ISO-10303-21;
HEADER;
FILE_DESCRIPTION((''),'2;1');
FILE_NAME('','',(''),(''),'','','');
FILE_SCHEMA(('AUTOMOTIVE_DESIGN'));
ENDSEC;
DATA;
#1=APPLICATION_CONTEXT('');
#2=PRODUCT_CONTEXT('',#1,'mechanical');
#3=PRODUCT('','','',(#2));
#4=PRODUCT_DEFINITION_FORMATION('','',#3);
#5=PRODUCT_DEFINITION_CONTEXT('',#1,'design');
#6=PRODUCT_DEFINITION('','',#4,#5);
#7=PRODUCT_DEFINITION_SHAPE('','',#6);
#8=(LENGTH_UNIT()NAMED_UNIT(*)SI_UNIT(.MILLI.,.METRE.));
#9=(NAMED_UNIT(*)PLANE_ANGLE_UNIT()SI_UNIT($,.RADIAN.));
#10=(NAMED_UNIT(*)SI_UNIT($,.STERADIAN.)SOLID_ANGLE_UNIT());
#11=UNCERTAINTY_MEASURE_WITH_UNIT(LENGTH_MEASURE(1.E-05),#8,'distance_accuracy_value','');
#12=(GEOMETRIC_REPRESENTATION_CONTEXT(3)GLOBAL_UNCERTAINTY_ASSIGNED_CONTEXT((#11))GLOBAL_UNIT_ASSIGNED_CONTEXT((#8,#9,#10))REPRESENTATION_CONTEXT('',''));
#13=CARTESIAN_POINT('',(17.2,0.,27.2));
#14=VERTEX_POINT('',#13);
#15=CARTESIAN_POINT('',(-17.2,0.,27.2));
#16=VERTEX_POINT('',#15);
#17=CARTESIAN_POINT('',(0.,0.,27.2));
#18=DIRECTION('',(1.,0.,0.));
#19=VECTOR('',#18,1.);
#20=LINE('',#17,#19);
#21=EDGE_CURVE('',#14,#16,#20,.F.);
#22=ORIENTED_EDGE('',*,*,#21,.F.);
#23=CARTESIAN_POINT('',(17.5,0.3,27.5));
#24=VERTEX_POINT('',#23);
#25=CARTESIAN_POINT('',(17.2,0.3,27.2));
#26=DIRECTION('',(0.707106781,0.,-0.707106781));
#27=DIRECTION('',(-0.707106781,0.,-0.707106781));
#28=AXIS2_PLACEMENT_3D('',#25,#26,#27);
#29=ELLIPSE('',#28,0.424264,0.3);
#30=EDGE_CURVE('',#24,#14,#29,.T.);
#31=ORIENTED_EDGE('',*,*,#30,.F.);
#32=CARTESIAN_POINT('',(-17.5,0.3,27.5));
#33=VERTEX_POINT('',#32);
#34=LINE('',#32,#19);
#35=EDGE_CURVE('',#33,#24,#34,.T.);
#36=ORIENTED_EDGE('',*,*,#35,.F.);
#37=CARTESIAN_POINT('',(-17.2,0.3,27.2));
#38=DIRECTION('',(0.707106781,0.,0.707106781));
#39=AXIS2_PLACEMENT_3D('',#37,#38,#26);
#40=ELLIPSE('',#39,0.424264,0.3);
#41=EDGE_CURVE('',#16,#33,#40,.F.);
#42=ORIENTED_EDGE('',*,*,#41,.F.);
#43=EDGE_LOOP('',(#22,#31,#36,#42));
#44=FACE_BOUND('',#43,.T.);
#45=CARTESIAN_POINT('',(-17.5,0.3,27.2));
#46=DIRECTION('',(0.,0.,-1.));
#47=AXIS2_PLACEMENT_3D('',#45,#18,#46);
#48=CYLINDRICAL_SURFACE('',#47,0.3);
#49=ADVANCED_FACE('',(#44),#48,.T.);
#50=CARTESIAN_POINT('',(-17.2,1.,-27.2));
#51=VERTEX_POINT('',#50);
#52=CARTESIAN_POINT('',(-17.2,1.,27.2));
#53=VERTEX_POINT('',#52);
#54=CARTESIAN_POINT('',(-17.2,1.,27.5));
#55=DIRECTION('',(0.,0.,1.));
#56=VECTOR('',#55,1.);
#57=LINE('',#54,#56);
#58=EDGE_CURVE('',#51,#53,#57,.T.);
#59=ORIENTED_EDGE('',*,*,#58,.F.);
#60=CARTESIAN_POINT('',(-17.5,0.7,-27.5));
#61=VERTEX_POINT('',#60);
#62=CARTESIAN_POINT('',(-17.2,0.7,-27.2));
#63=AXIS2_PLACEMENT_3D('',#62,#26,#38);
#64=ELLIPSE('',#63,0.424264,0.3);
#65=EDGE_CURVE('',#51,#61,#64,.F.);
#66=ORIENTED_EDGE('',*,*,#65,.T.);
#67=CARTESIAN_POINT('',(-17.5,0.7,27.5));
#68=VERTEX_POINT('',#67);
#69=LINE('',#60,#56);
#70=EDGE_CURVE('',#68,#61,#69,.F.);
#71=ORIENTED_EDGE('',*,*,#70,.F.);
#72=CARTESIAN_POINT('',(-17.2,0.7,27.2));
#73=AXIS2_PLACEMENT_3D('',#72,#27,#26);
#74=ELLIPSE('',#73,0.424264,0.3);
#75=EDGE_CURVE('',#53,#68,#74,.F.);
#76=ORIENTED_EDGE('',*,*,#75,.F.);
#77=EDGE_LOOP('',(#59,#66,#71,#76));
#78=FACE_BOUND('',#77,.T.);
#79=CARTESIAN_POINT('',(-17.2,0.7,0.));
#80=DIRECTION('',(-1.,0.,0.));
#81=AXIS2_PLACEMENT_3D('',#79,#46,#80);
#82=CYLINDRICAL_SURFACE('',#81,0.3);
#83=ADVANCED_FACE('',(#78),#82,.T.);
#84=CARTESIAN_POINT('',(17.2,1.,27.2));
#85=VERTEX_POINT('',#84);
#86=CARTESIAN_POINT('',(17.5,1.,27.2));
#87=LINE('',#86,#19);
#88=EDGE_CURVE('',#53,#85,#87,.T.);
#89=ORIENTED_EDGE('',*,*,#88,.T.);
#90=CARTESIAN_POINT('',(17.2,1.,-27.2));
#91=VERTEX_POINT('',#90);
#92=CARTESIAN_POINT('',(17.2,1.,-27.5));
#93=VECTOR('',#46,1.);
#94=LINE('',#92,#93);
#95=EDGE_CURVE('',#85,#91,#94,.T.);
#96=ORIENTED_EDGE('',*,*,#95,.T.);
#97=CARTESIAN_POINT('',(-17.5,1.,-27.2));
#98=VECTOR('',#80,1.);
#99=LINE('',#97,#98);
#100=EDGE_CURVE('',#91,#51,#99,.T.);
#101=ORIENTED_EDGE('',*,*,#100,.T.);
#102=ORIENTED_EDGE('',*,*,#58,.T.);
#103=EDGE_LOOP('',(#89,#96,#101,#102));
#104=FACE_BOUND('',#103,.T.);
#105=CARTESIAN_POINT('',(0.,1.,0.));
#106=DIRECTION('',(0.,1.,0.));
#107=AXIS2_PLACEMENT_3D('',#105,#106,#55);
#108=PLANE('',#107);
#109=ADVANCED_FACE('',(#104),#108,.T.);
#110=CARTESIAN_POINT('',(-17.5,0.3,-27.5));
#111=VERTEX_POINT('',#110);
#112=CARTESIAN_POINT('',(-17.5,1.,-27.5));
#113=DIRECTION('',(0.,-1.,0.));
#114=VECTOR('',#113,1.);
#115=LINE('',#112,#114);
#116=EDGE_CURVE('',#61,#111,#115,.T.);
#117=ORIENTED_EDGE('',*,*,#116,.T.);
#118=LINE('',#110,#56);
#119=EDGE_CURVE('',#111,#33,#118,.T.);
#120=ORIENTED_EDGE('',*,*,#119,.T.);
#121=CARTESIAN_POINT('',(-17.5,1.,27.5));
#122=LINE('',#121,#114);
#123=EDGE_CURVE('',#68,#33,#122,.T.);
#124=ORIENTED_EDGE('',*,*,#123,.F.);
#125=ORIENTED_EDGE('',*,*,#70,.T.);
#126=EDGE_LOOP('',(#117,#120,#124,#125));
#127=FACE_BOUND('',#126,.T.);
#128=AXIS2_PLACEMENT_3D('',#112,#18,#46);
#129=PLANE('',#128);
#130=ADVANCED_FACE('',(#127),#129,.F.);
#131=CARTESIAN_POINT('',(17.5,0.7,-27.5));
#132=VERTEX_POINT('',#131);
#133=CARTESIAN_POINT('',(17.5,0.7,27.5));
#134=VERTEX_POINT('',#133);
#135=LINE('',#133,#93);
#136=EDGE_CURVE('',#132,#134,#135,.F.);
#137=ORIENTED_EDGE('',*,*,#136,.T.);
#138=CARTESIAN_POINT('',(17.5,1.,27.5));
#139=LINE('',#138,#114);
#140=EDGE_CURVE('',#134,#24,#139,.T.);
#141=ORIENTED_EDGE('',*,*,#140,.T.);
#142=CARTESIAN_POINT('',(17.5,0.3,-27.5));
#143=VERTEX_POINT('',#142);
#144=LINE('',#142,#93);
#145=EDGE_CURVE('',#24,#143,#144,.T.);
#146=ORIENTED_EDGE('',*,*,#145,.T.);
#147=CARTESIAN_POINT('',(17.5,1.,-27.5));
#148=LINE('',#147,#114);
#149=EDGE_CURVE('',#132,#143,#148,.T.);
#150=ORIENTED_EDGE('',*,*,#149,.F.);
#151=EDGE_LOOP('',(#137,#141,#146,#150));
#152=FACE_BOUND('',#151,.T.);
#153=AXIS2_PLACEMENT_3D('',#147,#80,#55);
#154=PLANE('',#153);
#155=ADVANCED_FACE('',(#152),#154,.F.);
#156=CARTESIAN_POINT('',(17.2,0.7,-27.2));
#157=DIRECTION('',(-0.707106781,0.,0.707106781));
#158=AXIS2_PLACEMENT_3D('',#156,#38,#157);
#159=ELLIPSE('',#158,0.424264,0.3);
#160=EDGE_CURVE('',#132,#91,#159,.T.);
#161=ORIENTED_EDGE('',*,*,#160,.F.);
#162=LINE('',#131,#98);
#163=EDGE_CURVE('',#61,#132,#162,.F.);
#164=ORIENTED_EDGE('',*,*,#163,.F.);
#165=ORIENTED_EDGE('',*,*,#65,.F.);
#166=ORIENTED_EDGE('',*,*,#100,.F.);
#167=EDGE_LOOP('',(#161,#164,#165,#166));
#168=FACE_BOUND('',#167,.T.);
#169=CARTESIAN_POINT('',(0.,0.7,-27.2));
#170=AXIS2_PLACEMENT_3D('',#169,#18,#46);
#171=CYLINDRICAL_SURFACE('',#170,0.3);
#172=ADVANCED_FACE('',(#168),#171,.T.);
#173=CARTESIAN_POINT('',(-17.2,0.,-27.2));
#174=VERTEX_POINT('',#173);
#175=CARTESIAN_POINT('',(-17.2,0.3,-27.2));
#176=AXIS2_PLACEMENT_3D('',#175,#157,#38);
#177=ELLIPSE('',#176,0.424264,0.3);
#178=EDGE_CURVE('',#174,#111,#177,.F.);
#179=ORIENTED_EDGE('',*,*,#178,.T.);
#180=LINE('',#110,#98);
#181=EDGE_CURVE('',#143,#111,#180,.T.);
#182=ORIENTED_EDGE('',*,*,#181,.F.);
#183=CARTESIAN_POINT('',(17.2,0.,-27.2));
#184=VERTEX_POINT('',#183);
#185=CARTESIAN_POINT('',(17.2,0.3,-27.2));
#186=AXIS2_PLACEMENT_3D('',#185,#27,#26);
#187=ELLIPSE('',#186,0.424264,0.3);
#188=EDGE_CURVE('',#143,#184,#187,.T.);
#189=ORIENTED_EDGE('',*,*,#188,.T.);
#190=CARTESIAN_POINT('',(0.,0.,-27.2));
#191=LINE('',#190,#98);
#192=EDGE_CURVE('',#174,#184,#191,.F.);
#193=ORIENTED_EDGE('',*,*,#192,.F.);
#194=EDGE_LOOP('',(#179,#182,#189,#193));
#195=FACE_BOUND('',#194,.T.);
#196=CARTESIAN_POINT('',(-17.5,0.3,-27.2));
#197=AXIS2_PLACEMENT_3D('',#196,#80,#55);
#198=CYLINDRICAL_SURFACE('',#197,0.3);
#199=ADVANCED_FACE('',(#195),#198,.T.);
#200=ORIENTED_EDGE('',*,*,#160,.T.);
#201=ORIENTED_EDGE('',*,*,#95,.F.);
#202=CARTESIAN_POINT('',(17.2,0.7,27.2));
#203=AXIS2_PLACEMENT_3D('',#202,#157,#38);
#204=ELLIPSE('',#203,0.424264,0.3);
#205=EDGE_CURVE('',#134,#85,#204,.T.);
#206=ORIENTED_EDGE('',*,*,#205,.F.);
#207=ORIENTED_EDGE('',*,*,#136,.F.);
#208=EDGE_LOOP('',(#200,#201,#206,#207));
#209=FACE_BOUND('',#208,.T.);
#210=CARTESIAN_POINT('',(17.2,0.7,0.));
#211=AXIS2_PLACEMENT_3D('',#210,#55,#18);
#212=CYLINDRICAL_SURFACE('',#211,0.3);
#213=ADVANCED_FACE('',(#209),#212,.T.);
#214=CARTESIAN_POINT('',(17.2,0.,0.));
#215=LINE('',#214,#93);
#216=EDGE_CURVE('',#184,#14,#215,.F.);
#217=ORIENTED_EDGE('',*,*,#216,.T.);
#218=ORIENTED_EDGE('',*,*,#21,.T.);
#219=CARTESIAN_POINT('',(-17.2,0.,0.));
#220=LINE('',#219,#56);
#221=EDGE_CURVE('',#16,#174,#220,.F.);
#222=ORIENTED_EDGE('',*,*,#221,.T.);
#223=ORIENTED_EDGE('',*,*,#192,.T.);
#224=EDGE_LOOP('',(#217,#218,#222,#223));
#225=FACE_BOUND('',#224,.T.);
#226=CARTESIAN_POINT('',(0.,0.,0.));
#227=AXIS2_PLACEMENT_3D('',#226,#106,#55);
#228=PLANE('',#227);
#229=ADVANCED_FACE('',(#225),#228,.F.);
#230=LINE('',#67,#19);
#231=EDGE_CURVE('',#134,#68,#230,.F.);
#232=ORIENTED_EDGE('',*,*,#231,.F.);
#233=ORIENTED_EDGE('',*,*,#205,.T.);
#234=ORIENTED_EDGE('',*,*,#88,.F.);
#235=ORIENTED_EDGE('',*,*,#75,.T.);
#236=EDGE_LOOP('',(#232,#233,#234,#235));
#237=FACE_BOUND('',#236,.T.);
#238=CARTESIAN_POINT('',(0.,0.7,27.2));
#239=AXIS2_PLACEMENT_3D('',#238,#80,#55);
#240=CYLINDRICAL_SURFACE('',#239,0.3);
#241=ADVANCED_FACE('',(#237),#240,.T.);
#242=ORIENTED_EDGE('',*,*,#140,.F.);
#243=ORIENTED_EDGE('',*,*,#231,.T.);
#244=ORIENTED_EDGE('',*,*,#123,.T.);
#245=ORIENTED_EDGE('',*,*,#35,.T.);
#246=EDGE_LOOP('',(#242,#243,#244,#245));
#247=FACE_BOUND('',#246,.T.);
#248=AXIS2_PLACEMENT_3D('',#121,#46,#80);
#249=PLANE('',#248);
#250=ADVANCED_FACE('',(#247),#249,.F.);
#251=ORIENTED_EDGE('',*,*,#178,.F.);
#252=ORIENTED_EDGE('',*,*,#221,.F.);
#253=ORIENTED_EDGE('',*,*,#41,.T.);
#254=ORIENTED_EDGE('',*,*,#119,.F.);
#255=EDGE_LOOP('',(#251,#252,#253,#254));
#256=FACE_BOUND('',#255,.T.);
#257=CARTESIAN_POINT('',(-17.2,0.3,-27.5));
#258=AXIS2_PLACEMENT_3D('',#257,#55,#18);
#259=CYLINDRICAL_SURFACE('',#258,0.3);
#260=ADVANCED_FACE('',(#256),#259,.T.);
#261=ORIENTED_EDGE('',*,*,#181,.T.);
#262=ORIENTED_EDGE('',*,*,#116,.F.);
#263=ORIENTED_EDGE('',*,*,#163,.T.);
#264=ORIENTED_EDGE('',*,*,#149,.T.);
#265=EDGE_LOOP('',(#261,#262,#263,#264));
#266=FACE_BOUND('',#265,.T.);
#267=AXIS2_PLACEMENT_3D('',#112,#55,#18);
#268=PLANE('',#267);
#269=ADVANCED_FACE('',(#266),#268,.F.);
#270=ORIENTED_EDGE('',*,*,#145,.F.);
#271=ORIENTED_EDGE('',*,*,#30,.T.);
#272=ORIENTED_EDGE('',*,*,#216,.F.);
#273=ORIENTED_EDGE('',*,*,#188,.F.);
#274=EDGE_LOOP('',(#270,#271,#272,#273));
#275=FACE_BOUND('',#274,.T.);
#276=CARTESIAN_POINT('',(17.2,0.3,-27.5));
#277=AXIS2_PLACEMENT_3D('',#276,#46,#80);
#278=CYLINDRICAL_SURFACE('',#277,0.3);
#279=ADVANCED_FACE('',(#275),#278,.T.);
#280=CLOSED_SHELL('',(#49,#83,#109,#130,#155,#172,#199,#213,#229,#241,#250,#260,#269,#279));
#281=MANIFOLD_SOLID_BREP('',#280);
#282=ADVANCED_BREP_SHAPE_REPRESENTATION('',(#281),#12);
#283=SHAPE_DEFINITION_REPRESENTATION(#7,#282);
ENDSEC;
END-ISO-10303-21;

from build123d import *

# Parameters (mm, degrees)
SKETCH1_W           = 35
SKETCH1_H           = 55
BOSS_EXTRUDE1_DEPTH = 1
FILLET3_R           = 0.3


with BuildPart() as part:
    # Sketch1 → Boss-Extrude1 (new body)
    with BuildSketch(Plane(origin=(0, 0, 0), x_dir=(1, 0, 0), z_dir=(0, 1, 0))):
        Rectangle(SKETCH1_W, SKETCH1_H)
    extrude(amount=BOSS_EXTRUDE1_DEPTH)

    # Fillet3
    fillet3_edges = [part.edges().sort_by_distance(p)[0] for p in [
        (-17.5, 1, 0),
        (0, 1, 27.5),
        (17.5, 1, 0),
        (0, 0, 27.5),
        (-17.5, 0, 0),
        (0, 0, -27.5),
        (17.5, 0, 0),
        (0, 1, -27.5),
    ]]
    fillet(fillet3_edges, radius=FILLET3_R)


solid = part.part
